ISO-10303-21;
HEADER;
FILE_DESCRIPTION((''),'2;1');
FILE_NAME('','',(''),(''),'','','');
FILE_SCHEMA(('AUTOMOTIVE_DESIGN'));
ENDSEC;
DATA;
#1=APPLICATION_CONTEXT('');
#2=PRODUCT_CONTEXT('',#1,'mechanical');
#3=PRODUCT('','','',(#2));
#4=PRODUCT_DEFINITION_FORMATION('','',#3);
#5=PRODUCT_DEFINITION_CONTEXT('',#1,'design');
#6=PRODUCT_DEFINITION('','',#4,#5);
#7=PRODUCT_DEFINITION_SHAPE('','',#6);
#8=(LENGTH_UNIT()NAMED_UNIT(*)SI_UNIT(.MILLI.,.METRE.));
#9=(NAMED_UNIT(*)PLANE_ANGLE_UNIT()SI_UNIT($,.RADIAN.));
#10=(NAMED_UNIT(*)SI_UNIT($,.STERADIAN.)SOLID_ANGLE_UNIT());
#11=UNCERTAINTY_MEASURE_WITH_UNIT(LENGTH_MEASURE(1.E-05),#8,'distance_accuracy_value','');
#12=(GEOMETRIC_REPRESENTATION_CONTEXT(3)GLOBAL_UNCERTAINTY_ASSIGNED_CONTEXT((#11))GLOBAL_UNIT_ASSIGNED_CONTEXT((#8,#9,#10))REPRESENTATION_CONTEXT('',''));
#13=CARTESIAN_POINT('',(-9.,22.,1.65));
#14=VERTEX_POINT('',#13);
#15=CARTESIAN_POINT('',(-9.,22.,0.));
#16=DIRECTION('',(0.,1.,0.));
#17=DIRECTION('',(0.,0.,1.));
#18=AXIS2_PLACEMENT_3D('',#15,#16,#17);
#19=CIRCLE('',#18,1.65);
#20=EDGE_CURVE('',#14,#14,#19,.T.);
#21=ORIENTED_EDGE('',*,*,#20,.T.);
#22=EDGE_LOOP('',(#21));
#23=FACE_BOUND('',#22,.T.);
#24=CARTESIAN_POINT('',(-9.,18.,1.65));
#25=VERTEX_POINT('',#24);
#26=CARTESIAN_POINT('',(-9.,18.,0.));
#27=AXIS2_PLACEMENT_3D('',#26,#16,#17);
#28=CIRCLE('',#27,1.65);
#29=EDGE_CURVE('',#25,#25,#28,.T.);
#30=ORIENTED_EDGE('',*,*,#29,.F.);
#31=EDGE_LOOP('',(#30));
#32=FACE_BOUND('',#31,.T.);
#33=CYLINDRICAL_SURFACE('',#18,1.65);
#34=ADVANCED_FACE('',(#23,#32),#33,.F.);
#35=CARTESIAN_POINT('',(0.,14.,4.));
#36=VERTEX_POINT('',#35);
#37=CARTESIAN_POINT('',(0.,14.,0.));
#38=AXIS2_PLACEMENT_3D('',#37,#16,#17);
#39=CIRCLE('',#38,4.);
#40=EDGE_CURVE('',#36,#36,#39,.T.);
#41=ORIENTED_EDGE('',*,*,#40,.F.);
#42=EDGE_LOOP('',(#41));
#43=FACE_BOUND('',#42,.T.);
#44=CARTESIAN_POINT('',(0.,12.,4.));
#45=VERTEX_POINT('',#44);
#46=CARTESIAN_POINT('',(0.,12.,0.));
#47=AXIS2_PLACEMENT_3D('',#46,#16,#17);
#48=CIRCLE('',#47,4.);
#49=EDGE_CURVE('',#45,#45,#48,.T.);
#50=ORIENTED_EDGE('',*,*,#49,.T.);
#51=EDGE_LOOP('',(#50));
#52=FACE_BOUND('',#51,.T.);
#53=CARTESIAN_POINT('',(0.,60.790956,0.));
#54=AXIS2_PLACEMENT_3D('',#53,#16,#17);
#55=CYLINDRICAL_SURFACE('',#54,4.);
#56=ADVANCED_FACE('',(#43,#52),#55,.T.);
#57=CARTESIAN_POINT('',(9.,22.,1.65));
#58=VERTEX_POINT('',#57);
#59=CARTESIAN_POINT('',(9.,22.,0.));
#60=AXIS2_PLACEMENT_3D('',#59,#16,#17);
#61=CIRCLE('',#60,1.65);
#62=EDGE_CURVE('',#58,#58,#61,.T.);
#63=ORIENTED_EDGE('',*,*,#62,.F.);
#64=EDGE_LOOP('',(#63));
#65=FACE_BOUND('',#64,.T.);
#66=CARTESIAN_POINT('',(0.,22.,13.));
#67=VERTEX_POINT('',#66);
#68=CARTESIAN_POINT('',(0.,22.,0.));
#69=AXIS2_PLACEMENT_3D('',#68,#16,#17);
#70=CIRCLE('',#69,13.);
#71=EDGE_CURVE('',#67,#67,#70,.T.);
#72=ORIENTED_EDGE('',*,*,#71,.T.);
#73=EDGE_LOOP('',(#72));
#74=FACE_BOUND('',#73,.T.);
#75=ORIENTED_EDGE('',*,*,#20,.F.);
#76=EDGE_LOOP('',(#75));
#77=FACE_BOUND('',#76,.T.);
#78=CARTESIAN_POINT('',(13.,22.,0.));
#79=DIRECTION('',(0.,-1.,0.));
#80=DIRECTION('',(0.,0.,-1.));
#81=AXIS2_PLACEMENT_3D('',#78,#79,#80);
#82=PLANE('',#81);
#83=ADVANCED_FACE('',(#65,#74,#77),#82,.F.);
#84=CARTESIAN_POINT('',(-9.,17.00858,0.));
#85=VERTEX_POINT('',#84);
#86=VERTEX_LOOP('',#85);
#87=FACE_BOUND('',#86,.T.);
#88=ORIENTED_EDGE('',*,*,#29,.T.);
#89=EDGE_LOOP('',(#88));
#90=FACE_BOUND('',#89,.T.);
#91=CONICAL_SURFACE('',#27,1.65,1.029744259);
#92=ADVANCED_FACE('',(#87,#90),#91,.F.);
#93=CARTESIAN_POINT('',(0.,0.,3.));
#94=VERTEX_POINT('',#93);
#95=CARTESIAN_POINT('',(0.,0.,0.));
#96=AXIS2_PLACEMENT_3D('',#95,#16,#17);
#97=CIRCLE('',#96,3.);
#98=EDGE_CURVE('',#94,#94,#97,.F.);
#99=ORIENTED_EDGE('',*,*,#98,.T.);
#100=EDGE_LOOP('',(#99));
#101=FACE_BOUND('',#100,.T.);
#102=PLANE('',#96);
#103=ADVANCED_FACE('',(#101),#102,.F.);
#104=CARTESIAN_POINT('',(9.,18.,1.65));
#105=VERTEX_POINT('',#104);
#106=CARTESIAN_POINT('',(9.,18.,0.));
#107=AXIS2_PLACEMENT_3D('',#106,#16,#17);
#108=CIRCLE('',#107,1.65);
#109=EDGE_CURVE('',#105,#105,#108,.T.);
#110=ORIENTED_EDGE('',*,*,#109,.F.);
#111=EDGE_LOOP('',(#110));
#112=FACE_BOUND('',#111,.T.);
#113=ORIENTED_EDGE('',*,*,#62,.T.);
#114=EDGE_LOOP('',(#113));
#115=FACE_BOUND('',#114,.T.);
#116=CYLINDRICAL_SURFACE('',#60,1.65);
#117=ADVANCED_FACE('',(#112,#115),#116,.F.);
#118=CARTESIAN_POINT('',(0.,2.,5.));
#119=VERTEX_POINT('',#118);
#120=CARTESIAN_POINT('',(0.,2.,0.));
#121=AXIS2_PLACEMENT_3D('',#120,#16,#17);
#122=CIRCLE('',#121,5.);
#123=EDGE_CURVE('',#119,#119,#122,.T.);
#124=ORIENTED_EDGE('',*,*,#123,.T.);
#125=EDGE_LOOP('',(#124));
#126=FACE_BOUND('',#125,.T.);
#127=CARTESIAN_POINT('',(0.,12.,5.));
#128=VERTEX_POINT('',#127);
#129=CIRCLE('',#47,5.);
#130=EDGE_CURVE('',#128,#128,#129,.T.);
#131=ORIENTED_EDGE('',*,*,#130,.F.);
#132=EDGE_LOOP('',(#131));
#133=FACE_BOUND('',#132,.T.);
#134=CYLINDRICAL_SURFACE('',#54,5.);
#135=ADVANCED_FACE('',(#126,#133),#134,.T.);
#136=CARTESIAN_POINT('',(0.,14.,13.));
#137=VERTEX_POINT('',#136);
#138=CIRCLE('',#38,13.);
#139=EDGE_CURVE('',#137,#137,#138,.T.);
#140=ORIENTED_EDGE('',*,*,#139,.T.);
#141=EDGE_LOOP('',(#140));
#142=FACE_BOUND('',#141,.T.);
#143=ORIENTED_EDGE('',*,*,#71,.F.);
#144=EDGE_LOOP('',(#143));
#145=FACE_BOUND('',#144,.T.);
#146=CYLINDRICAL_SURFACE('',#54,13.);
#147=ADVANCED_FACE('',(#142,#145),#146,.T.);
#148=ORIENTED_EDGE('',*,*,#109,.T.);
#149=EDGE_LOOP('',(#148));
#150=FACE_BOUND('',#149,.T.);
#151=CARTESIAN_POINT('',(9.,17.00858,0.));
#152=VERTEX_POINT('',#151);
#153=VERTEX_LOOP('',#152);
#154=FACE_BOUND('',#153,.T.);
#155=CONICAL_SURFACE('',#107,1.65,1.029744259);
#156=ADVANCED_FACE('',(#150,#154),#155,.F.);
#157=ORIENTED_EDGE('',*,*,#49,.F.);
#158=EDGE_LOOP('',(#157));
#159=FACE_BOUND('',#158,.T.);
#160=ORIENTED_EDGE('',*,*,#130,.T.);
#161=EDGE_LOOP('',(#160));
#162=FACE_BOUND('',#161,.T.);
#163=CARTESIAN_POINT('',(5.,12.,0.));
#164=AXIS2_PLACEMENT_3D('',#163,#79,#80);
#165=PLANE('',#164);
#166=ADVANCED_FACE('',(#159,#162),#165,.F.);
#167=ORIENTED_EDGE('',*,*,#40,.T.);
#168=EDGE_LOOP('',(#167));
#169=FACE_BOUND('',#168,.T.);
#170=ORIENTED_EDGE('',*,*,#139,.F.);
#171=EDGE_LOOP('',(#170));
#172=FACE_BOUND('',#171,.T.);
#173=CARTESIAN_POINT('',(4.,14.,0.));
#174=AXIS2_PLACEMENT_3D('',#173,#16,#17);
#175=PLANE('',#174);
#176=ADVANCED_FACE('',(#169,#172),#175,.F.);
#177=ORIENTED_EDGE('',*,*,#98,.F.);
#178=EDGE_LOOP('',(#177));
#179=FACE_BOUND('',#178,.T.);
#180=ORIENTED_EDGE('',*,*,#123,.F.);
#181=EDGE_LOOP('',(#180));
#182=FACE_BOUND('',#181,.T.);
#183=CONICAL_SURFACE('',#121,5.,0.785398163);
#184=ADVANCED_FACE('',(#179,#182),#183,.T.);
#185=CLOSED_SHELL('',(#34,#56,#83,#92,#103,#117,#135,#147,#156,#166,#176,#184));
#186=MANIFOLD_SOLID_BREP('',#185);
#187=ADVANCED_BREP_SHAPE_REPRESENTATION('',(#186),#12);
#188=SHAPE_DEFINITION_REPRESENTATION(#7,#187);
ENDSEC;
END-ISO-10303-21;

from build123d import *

# Parameters (mm, degrees)
CHAMFER_1_SIZE         = 2
HOLE_WIZARD_M4_1_D     = 3.3
HOLE_WIZARD_M4_1_DEPTH = 4
HOLE_WIZARD_M4_1_TIP   = 0.991420021


with BuildPart() as part:
    # 草图1 → 旋转1 (revolve)
    with BuildSketch(Plane.XY, mode=Mode.PRIVATE) as revolve_1_sk:
        Polygon((0, 0), (5, 0), (5, 12), (4, 12), (4, 14), (13, 14), (13, 22), (0, 22), align=None)
    revolve(revolve_1_sk.sketch.rotate(Axis((0, 60.790955631, 0), (0, -1, 0)), 90), axis=Axis((0, 60.790955631, 0), (0, -1, 0)))

    # 倒角1
    chamfer_1_edges = [part.edges().sort_by_distance(p)[0] for p in [
        (0, 0, -5),
    ]]
    chamfer(chamfer_1_edges, length=CHAMFER_1_SIZE)

    # M4 螺纹孔的螺纹孔钻头1
    with Locations(Plane(origin=(0, 22, 0), x_dir=(-1, 0, 0), z_dir=(0, 1, 0))):
        with Locations((9, 0), (-9, 0)):
            Hole(HOLE_WIZARD_M4_1_D / 2, depth=HOLE_WIZARD_M4_1_DEPTH)
            with Locations((0, 0, -(HOLE_WIZARD_M4_1_DEPTH + HOLE_WIZARD_M4_1_TIP / 2))):  # 118° drill point
                Cone(0, HOLE_WIZARD_M4_1_D / 2, HOLE_WIZARD_M4_1_TIP, mode=Mode.SUBTRACT)


solid = part.part
